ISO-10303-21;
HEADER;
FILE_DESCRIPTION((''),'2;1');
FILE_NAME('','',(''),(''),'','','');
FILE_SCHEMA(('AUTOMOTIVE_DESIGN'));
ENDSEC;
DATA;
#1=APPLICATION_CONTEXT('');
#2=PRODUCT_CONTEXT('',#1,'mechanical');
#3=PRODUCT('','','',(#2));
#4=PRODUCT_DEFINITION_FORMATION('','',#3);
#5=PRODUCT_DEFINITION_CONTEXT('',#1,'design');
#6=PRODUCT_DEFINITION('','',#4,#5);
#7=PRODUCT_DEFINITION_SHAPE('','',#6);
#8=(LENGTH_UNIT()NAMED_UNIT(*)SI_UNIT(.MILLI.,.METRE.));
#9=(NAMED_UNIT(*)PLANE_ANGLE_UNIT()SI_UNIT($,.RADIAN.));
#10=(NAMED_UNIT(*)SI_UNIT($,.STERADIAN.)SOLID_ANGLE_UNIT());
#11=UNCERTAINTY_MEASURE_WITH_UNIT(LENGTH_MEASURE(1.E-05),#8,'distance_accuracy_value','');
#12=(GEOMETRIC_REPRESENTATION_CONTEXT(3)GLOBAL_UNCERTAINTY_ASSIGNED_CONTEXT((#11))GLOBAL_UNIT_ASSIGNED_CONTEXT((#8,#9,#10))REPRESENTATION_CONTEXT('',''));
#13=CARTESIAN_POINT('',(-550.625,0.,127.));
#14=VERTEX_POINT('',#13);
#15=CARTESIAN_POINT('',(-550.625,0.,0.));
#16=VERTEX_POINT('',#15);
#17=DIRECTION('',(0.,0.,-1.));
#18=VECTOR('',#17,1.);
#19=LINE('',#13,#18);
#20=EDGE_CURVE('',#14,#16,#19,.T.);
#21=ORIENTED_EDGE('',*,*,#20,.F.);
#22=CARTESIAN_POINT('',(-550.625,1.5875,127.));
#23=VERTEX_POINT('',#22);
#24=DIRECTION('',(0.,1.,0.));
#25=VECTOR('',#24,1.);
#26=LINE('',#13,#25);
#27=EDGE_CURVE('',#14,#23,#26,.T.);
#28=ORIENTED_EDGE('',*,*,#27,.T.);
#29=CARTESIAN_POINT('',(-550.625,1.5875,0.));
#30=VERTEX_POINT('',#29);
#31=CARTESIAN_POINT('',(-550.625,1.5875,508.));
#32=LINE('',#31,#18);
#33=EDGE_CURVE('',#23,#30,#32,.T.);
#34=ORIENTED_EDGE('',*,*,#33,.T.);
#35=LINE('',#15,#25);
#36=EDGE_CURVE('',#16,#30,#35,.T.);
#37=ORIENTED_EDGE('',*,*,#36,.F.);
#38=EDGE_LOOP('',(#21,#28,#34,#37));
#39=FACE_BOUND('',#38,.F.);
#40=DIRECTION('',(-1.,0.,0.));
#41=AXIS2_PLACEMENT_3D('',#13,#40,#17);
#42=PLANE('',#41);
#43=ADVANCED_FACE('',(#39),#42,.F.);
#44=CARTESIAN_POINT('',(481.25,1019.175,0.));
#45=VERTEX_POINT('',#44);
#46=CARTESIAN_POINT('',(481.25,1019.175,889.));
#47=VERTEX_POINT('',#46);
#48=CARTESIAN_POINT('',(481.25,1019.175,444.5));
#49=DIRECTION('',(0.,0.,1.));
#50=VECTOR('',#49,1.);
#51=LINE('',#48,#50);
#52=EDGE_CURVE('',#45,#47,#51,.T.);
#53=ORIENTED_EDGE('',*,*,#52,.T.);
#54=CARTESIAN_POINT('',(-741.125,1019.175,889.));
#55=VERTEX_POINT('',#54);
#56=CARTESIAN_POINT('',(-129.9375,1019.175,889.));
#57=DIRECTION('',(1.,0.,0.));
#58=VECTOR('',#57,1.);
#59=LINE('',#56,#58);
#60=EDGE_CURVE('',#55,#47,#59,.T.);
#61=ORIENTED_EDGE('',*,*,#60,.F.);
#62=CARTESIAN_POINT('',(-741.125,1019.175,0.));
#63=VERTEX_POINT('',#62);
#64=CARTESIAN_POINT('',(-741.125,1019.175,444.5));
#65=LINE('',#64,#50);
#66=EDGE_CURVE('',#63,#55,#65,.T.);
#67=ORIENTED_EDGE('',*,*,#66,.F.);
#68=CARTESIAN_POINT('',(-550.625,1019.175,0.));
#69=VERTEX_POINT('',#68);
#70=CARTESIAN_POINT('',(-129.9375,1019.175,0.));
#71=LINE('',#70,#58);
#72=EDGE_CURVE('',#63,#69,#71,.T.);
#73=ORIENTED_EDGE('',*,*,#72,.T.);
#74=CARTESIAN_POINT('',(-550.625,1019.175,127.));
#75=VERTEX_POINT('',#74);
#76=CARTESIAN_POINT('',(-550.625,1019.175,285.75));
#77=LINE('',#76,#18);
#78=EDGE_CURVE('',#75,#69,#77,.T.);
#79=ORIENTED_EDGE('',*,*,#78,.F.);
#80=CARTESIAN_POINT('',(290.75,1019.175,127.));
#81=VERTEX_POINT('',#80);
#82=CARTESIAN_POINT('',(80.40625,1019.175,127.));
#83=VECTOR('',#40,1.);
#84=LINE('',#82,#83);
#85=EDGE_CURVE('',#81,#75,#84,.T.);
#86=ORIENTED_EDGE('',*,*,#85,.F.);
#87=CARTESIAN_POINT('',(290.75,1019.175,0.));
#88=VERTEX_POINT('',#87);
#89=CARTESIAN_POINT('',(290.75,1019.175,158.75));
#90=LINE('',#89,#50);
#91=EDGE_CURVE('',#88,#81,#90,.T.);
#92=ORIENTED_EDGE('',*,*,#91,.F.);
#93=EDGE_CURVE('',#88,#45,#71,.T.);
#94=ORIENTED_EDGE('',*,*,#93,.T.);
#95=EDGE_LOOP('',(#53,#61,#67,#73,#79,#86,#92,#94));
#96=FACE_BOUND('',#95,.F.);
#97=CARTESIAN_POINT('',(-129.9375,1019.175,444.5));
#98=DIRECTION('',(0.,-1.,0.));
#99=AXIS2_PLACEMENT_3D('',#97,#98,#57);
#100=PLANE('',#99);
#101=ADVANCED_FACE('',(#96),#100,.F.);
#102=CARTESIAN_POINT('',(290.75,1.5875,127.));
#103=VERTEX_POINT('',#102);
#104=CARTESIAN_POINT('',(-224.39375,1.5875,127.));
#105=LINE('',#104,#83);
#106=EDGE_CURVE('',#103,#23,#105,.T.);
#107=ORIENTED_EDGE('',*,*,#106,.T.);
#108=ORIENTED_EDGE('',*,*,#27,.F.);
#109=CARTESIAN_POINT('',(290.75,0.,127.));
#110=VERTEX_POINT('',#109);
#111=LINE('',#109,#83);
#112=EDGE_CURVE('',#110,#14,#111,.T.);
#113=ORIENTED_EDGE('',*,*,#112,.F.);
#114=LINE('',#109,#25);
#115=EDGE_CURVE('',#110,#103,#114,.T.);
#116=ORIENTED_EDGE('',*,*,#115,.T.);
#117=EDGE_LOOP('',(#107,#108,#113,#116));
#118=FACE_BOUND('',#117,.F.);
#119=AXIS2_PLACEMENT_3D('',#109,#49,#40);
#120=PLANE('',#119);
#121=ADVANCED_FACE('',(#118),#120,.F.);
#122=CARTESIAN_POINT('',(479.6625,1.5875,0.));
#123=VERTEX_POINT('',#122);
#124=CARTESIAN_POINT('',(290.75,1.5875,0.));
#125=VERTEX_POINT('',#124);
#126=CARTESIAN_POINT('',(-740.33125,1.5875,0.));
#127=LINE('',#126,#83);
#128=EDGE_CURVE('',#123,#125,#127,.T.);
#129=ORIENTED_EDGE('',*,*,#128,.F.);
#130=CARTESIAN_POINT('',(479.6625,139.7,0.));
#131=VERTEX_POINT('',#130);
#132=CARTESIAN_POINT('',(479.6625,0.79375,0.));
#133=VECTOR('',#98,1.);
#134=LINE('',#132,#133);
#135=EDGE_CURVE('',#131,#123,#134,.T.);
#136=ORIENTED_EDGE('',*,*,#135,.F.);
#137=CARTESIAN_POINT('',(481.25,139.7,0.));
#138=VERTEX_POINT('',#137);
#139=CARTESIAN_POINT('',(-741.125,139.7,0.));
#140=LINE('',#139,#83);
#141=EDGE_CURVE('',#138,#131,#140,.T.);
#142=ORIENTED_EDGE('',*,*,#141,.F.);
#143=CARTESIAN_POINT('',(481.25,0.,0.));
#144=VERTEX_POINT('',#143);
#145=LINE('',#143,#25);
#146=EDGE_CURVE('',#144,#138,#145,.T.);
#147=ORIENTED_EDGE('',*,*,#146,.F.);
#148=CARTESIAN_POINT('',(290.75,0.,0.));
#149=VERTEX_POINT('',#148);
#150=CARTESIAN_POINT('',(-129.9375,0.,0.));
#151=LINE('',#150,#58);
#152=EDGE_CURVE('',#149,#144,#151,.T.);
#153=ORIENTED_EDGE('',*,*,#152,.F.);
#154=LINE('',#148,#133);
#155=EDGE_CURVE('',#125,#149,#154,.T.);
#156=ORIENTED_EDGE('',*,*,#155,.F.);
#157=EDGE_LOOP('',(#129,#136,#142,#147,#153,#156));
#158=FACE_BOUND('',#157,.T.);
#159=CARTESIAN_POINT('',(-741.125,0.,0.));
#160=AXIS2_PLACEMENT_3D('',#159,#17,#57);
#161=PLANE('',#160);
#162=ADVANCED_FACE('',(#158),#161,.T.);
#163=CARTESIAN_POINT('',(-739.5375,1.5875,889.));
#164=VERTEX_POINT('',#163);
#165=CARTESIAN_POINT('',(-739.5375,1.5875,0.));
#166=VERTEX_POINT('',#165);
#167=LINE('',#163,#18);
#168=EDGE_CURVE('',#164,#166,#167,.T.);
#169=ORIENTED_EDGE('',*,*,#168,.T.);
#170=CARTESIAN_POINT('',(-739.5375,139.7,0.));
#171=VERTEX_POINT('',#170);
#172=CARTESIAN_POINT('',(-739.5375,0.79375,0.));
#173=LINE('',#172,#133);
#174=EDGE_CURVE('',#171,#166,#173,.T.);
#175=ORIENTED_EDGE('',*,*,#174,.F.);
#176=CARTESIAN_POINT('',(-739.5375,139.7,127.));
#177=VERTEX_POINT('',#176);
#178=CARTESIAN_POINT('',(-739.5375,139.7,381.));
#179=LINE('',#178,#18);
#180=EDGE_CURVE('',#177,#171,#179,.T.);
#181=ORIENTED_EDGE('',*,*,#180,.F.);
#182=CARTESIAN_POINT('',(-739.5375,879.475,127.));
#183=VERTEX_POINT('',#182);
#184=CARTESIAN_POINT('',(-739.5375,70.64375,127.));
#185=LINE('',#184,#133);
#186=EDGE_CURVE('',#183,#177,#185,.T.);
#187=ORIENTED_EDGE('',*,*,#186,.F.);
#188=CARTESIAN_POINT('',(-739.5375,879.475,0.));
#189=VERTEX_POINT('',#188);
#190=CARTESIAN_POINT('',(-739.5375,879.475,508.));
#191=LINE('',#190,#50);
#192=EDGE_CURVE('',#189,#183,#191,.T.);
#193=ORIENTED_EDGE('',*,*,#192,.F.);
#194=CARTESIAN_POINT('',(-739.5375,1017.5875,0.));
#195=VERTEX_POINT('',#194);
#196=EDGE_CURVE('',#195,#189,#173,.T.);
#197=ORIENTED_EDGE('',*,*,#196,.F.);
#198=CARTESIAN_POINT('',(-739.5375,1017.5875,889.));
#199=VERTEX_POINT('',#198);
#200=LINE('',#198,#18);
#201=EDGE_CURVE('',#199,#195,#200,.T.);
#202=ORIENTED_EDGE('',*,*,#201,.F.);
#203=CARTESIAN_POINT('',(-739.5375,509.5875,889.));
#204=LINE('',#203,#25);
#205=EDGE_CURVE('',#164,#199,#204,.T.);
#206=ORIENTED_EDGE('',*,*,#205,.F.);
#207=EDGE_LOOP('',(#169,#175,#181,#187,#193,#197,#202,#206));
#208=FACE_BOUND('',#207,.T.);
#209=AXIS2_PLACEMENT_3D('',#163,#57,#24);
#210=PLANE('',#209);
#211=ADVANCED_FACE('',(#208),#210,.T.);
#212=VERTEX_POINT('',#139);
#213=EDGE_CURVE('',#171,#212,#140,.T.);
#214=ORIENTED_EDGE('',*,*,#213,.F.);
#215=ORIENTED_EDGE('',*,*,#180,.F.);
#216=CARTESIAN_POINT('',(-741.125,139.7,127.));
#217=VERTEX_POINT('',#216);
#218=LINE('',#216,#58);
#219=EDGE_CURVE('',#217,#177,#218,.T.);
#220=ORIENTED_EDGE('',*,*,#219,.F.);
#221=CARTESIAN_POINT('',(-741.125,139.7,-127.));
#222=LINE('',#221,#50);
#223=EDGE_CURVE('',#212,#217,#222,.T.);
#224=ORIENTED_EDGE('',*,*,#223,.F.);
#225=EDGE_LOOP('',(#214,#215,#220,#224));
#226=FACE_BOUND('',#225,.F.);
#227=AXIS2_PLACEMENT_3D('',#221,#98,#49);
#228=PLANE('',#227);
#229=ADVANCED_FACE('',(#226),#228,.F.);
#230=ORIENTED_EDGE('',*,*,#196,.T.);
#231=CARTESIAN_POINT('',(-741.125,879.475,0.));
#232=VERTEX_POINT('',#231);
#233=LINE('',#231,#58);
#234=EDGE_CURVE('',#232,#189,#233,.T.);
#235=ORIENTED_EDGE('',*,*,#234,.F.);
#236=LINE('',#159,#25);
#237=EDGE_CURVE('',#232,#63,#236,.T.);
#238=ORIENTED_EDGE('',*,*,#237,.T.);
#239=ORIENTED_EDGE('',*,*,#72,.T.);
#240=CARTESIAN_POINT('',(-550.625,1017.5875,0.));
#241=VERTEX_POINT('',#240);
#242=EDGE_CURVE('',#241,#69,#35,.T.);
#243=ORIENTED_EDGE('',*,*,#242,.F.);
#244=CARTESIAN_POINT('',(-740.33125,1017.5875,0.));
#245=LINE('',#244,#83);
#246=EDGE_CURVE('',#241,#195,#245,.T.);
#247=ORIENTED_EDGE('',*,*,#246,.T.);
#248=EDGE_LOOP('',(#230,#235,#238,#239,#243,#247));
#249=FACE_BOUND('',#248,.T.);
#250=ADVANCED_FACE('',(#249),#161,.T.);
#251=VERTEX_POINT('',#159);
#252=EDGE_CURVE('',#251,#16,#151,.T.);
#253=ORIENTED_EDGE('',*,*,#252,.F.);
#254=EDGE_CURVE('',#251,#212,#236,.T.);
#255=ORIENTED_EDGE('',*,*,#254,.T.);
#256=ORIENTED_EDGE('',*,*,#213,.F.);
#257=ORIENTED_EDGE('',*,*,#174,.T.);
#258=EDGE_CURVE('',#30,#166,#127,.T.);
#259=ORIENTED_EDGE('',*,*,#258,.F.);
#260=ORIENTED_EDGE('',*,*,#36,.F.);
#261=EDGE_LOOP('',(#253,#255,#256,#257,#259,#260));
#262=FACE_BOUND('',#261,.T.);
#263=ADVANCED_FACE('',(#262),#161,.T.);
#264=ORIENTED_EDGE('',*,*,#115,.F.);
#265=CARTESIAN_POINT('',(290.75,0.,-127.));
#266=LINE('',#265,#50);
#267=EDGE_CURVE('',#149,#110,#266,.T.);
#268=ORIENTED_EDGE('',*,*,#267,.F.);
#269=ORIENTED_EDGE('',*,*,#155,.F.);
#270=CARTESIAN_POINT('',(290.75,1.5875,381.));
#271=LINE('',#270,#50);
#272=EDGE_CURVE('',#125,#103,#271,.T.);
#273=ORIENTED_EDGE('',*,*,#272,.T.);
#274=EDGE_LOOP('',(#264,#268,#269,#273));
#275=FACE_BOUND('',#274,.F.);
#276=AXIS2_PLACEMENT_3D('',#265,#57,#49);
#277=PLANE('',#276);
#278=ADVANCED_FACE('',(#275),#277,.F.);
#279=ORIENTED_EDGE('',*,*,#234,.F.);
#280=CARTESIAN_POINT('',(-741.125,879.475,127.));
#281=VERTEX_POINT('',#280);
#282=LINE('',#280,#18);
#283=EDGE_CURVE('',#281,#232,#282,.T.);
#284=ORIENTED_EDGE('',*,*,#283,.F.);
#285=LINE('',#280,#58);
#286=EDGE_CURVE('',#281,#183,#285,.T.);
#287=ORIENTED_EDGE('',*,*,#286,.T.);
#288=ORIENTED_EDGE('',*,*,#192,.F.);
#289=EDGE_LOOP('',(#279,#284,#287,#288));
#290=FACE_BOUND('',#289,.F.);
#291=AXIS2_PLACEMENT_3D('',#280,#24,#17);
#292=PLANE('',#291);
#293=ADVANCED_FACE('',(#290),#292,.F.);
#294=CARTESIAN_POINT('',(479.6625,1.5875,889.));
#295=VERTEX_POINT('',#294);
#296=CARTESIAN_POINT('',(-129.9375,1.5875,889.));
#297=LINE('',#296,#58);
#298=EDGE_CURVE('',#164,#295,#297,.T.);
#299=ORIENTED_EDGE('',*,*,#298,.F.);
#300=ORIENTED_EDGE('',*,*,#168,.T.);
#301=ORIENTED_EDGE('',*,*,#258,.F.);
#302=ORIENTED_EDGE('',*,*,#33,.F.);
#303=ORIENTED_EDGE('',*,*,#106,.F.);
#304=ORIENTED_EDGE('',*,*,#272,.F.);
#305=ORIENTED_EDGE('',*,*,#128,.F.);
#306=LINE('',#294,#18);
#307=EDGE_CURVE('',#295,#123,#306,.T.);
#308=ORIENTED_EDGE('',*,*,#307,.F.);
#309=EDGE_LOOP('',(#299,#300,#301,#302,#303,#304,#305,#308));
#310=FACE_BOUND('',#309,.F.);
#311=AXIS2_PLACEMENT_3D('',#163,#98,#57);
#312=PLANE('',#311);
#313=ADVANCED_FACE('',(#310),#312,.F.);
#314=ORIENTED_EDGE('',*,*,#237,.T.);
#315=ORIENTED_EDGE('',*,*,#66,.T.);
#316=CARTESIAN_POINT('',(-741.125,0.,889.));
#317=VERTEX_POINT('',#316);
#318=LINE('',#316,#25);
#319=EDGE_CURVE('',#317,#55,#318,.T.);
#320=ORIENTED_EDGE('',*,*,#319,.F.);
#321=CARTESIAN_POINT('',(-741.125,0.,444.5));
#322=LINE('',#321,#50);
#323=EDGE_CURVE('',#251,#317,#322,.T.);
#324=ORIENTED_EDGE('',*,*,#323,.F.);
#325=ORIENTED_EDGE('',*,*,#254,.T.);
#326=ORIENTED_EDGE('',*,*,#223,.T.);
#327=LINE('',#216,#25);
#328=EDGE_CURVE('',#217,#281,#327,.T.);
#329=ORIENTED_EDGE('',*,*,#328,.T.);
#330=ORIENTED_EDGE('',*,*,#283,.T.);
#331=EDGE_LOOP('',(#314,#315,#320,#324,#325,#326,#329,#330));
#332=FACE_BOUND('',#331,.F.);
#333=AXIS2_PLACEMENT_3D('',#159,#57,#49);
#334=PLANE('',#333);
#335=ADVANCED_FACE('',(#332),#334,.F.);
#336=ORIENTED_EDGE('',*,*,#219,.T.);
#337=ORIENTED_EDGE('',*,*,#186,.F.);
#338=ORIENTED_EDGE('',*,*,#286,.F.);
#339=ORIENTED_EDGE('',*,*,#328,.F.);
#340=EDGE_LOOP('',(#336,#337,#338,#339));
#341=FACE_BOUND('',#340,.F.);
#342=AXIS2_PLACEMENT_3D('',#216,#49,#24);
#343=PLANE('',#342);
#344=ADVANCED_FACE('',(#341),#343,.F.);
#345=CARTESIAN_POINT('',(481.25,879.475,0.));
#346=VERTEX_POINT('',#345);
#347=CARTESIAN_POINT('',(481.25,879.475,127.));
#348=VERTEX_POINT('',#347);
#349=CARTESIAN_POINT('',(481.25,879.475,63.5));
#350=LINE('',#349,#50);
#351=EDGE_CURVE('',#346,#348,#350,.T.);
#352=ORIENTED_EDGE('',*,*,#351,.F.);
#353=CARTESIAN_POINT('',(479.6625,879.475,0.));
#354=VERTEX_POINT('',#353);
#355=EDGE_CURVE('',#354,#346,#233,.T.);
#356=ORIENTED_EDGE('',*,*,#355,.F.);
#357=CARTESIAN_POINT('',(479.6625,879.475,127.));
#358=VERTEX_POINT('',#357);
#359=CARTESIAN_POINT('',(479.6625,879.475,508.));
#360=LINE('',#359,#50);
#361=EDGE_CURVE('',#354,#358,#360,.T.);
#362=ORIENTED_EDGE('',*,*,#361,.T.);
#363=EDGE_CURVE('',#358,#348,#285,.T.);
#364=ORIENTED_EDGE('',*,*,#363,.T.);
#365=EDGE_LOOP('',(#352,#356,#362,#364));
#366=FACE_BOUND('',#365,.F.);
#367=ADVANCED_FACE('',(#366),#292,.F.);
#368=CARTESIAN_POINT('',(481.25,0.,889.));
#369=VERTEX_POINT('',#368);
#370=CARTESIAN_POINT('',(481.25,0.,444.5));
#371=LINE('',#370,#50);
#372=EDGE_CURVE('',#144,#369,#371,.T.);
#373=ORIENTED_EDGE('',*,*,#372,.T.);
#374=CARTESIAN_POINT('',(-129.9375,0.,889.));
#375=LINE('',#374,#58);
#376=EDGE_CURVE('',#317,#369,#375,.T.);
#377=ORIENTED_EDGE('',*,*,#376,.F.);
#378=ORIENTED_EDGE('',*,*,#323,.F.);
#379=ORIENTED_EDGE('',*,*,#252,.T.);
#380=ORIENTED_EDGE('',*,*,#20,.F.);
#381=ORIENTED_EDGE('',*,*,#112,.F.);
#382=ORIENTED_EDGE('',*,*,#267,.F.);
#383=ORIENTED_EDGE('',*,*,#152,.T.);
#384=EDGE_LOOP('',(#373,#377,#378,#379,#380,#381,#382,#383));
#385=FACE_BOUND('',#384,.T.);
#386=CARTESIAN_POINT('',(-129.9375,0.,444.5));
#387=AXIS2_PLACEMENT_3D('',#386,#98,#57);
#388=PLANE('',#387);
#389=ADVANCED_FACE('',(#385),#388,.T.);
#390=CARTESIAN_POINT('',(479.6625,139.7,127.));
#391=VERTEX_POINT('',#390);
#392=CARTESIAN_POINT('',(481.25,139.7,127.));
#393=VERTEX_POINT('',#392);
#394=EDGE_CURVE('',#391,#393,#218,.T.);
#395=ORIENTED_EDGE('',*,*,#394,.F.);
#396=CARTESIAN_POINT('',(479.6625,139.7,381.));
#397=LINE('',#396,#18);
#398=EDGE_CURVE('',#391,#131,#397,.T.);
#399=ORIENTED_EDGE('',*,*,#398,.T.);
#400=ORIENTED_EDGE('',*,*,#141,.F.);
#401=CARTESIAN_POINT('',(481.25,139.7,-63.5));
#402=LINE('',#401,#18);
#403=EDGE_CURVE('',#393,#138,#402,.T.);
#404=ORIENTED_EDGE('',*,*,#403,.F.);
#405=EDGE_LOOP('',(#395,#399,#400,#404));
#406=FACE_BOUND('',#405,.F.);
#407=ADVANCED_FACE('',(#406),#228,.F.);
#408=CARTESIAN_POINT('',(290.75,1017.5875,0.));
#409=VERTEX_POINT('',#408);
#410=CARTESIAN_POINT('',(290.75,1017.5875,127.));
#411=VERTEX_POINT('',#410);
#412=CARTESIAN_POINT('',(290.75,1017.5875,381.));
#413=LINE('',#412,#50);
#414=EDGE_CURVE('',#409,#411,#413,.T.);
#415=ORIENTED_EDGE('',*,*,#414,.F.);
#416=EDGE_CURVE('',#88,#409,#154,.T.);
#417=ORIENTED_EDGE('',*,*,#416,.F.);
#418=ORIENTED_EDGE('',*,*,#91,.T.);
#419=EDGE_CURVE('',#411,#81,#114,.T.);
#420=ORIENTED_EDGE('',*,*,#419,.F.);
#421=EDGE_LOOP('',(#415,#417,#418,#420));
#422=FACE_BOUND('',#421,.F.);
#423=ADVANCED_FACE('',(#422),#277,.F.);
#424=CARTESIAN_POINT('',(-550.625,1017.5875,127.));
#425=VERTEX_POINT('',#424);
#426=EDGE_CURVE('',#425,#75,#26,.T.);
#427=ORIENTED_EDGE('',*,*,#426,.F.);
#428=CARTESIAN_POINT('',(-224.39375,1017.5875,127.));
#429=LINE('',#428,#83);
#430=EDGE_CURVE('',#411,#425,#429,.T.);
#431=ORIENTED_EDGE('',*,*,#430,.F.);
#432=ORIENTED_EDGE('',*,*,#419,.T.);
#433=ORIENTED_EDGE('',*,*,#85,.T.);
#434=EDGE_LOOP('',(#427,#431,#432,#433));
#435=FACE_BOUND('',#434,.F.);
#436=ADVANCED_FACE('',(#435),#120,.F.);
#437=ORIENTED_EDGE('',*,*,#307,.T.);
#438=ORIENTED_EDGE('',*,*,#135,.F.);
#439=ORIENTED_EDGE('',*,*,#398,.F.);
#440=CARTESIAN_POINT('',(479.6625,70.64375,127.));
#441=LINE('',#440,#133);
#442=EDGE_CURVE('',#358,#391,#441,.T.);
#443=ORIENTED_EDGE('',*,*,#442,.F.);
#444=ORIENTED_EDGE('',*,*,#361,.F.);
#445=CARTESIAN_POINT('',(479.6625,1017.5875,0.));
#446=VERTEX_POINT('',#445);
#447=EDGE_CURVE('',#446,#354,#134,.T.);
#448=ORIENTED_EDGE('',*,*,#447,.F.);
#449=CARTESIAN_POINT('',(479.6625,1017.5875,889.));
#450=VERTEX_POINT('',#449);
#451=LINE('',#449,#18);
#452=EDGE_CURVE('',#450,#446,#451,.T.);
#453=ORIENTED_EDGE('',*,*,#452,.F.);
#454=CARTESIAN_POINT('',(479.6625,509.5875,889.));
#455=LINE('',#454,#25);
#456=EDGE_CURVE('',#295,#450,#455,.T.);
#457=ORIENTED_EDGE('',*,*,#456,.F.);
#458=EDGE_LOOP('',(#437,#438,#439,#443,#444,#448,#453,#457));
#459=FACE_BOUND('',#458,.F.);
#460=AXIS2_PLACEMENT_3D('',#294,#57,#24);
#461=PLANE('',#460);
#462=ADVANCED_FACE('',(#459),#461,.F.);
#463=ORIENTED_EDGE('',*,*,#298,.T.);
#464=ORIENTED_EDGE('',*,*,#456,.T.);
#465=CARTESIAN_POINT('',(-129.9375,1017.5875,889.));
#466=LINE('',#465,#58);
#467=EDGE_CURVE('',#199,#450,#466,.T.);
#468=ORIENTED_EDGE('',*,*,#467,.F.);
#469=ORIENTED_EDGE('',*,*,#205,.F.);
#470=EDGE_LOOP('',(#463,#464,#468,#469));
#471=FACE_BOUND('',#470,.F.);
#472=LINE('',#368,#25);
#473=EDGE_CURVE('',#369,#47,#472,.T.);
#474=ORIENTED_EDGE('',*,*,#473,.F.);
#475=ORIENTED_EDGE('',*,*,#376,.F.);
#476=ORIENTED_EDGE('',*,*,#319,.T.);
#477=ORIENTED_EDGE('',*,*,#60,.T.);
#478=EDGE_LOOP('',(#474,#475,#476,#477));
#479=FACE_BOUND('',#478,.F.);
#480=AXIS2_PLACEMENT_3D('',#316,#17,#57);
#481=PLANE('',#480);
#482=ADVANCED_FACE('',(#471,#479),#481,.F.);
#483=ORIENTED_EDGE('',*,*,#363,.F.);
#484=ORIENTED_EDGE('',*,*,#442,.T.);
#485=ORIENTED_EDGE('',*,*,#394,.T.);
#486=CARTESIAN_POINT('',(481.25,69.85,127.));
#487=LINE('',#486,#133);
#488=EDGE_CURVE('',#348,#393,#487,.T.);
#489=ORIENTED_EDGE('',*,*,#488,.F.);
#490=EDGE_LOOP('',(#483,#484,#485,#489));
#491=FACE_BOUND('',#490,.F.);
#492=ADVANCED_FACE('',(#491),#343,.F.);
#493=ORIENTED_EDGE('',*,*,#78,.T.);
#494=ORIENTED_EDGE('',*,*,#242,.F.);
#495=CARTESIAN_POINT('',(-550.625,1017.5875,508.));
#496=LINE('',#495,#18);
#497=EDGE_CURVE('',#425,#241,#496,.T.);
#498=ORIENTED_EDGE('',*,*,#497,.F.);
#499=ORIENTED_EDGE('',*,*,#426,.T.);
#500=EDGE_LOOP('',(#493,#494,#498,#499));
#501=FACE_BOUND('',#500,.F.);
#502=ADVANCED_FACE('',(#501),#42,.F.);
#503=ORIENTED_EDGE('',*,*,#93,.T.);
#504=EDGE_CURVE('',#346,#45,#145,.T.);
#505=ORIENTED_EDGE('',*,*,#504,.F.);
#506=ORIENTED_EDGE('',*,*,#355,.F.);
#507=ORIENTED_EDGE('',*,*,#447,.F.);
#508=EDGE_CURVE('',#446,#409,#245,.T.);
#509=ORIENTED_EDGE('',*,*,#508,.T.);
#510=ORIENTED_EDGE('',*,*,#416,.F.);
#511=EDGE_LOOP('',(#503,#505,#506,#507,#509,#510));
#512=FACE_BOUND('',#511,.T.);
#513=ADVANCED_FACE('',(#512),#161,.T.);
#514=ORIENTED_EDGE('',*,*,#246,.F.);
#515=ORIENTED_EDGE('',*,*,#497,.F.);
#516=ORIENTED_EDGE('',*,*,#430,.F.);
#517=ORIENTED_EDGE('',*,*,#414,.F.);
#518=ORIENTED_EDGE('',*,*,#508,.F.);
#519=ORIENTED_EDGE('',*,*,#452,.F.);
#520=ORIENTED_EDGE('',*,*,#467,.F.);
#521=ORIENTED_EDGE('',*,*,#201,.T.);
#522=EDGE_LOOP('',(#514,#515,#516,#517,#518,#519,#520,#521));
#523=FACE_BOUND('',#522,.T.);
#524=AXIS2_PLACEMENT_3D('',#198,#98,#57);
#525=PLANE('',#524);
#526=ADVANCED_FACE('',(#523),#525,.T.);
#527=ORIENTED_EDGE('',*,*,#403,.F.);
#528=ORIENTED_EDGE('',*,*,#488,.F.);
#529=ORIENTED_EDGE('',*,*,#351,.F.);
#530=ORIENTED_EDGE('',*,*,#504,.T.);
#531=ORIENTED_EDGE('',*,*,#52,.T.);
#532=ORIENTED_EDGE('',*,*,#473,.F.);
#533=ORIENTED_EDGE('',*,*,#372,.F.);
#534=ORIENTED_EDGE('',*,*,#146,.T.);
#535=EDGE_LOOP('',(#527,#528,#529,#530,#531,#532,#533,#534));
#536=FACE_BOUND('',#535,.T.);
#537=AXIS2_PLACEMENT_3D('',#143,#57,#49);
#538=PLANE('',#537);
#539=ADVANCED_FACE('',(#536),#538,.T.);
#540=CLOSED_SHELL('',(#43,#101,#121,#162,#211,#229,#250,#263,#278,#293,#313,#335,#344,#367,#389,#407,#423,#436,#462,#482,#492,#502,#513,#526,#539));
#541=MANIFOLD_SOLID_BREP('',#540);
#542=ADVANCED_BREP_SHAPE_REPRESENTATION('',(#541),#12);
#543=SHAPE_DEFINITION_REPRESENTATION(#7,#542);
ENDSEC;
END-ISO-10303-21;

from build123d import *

# Parameters (mm, degrees)
F0_W     = 481.25
F0_H     = 350
F1_DEPTH = 401.25
F2_W     = 480
F2_H     = 400
F3_DEPTH = 350.001
F5_DEPTH = 481.251
F7_DEPTH = 401.251
F8_SCALE = 2.54


with BuildPart() as f1:
    # F0 (on Front) → F1 (new body)
    with BuildSketch(Plane.XZ):
        with Locations((240.625, 175)):
            Rectangle(F0_W, F0_H)
    extrude(amount=-F1_DEPTH)

    # F2 (on face) → F3 (cut, through all)
    with BuildSketch(Plane.XY.offset(350)):
        with Locations((240.625, 200.625)):
            Rectangle(F2_W, F2_H)
    extrude(amount=-F3_DEPTH, mode=Mode.SUBTRACT)

    # F4 (on face) → F5 (cut, through all)
    with BuildSketch(Plane(origin=(0, 0, 0), x_dir=(0, -1, 0), z_dir=(-1, 0, 0))):
        Polygon((-346.25, 50), (-346.25, 0), (-346.25, -50), (-55, -50), (-55, 50), align=None)
    extrude(amount=-F5_DEPTH, mode=Mode.SUBTRACT)

    # F6 (on face) → F7 (cut, through all)
    with BuildSketch(Plane.XZ):
        Polygon((75, 50), (75, 0), (75, -50), (406.25, -50), (406.25, 50), align=None)
    extrude(amount=-F7_DEPTH, mode=Mode.SUBTRACT)


with BuildPart() as f1_1:
    # F8: moved
    add(f1.part.scale(F8_SCALE).moved(Location((-741.125, 0, 0))))


solid = f1_1.part
